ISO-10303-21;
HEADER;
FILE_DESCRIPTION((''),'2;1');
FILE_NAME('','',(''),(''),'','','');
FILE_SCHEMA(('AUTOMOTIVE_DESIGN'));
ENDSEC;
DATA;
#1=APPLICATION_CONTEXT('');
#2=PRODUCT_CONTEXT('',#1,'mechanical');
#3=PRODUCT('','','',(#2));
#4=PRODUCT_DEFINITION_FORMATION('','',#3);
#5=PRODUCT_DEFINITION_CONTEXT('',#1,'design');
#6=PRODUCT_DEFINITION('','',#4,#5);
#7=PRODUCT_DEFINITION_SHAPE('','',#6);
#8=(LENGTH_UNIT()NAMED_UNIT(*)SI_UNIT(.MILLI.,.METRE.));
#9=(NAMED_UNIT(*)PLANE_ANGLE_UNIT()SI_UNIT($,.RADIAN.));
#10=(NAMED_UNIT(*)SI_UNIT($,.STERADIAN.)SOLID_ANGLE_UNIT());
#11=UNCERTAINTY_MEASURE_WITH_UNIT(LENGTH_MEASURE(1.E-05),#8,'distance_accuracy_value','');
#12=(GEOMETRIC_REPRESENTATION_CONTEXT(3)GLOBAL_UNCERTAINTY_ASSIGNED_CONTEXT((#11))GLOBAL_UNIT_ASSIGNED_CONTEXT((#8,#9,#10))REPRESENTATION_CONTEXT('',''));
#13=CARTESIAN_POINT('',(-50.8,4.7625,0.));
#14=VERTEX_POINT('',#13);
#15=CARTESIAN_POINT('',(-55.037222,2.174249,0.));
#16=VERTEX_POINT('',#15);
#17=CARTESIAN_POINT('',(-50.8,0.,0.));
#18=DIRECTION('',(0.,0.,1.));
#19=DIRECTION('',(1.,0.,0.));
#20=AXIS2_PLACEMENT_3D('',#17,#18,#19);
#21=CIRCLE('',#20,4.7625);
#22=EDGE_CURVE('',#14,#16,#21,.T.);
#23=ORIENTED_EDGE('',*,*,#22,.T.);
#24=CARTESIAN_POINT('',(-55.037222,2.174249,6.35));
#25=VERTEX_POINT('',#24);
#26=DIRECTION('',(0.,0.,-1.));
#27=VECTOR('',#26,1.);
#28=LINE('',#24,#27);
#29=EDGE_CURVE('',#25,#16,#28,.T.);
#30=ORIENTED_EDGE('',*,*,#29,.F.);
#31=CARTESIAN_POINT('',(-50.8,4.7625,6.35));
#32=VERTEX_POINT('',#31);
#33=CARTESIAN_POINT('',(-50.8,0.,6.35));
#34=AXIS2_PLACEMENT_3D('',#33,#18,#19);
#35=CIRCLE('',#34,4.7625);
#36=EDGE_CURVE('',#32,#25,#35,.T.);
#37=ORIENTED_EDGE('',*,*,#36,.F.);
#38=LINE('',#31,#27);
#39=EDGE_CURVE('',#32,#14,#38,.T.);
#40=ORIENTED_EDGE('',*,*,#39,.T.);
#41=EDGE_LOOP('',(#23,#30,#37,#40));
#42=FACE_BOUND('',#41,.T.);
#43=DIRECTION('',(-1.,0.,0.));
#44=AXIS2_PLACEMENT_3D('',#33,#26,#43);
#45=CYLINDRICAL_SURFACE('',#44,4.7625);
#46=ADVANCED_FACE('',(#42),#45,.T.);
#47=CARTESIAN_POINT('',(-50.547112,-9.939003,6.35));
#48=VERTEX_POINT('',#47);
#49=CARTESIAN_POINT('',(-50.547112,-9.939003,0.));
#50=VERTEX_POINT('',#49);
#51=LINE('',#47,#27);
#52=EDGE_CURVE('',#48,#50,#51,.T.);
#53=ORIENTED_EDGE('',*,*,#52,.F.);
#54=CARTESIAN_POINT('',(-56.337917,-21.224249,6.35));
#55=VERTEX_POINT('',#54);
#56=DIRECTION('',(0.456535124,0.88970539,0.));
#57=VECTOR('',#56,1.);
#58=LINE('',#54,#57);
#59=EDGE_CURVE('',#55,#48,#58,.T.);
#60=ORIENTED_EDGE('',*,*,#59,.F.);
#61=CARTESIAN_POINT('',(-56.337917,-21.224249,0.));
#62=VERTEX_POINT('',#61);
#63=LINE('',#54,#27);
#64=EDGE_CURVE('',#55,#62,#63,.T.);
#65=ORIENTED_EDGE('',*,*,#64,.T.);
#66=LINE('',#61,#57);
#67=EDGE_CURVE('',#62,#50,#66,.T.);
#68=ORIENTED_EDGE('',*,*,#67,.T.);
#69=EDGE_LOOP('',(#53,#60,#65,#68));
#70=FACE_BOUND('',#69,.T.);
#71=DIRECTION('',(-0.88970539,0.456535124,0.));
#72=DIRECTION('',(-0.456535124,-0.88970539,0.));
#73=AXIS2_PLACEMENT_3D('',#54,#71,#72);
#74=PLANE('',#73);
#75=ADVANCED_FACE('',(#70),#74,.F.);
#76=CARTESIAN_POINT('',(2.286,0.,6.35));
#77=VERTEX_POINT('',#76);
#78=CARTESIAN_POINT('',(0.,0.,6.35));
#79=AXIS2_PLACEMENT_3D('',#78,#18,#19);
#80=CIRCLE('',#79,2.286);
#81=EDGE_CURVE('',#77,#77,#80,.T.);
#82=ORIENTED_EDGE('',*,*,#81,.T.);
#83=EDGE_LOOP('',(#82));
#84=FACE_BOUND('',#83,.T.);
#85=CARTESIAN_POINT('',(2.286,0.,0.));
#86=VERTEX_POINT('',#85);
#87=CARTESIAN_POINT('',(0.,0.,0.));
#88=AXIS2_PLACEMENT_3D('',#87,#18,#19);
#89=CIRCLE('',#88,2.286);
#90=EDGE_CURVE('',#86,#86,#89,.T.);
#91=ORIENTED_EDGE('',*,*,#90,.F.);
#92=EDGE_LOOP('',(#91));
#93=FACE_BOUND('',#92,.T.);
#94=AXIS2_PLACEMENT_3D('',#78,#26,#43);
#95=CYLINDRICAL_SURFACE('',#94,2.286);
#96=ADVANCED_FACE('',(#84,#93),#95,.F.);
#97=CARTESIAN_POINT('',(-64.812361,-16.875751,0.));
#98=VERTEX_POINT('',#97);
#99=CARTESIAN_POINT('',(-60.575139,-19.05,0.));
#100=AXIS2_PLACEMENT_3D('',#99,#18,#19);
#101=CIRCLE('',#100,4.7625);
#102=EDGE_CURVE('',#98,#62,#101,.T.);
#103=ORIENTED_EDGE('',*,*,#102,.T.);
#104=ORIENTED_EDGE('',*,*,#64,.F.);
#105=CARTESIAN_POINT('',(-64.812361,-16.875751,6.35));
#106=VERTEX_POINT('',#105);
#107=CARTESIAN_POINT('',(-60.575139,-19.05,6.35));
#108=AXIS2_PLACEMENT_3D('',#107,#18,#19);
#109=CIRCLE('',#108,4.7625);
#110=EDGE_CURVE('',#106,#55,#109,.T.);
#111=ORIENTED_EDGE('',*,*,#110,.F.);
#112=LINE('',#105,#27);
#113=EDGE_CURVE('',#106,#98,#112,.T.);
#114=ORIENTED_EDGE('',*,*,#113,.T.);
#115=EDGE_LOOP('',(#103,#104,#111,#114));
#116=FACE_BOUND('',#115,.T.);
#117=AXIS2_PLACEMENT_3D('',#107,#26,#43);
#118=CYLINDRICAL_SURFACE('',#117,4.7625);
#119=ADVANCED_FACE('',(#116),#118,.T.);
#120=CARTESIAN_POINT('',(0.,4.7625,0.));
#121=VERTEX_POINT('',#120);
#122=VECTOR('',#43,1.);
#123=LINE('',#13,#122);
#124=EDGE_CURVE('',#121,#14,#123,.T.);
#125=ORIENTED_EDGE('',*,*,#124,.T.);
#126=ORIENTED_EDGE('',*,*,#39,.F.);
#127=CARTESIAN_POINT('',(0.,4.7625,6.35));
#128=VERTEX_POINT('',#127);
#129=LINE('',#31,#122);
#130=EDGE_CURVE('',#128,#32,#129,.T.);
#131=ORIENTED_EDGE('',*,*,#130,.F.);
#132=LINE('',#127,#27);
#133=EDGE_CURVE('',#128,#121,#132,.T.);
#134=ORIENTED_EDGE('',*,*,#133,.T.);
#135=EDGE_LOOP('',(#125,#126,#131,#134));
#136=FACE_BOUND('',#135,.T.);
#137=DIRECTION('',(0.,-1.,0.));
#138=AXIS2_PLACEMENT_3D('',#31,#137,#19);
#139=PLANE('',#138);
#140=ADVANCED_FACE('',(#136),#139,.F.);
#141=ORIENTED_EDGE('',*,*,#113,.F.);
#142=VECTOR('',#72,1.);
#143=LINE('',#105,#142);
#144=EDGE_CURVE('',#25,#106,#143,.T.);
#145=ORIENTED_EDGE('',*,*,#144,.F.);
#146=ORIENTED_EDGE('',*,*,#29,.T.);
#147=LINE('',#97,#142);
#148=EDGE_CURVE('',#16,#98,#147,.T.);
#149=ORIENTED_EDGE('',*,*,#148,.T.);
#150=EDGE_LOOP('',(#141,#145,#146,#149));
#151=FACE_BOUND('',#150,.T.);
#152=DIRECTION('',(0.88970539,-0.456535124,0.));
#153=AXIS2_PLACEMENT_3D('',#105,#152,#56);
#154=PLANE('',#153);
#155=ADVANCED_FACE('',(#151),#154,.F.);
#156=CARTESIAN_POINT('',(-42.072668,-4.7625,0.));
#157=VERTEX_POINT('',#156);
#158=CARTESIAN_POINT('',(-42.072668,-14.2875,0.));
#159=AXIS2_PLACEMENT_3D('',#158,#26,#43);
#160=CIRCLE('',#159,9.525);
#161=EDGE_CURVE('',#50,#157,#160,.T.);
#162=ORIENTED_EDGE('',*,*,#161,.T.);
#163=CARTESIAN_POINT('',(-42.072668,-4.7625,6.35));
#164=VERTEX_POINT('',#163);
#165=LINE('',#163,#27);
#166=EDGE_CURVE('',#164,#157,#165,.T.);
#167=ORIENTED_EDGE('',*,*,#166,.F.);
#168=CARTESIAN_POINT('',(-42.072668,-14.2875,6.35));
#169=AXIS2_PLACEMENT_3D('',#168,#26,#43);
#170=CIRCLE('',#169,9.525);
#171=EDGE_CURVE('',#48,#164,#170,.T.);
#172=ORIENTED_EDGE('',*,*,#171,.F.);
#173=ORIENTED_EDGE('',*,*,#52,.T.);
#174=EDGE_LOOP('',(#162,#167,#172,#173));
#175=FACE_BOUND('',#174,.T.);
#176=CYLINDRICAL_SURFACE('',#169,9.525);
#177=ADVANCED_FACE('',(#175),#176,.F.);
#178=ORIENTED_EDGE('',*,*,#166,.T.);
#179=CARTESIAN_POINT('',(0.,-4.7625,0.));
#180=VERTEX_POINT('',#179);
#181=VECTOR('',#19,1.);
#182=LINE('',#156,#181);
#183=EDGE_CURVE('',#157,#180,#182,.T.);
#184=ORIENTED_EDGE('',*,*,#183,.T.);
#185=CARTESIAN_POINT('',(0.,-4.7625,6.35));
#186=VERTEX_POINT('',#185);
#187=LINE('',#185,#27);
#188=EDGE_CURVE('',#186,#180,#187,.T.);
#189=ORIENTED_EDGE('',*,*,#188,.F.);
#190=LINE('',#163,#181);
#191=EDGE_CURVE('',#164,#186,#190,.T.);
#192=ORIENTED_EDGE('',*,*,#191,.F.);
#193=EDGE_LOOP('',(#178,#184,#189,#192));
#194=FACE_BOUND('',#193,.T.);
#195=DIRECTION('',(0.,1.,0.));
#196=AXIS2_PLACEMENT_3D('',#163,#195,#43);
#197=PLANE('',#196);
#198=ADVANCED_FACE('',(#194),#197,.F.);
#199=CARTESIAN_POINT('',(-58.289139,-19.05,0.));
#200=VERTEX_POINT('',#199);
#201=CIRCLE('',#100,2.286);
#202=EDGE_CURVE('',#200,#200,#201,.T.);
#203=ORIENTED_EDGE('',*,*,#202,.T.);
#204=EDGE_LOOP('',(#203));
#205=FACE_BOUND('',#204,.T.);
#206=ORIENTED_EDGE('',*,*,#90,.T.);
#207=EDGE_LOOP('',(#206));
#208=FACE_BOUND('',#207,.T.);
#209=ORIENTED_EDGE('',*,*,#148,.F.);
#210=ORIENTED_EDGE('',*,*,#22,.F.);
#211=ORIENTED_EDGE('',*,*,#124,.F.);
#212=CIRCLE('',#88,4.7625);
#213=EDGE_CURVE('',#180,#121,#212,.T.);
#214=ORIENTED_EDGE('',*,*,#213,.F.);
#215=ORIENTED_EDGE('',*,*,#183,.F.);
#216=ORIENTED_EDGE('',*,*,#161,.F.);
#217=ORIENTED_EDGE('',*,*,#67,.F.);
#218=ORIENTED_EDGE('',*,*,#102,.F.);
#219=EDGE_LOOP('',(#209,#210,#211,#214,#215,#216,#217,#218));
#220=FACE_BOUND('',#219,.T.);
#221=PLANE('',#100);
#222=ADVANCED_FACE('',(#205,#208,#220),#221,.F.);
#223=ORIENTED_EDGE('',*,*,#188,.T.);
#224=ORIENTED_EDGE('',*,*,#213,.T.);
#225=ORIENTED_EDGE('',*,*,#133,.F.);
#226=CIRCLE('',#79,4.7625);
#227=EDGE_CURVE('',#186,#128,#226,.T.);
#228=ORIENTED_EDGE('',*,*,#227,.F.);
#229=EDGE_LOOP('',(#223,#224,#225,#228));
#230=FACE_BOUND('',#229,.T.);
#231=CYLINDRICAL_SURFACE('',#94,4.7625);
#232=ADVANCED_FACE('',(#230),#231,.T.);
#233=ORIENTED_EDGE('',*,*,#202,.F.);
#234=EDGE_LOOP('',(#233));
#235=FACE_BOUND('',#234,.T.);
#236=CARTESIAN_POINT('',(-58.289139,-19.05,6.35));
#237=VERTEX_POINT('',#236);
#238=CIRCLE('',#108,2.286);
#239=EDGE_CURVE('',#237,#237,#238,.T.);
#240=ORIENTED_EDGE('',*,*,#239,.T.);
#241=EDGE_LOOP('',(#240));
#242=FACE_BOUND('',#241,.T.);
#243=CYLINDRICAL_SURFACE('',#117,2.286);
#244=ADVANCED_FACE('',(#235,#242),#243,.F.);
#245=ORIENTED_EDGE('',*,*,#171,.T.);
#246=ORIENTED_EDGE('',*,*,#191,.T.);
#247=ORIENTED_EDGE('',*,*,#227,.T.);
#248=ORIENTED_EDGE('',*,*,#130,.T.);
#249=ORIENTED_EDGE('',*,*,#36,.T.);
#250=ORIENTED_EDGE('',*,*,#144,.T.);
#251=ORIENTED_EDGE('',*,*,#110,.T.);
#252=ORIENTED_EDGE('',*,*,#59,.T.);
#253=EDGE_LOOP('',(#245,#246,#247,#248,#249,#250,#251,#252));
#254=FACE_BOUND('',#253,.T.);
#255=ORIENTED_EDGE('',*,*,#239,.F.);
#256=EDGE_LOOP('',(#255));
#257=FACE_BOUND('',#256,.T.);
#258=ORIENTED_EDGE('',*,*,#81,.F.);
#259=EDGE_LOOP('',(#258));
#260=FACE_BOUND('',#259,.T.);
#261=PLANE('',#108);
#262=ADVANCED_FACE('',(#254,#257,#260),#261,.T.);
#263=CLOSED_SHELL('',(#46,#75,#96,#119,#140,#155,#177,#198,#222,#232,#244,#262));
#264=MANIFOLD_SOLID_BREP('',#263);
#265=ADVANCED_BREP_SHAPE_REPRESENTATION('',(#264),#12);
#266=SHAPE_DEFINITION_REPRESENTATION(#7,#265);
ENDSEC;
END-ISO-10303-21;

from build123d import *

# Parameters (mm, degrees)
SKETCH1_R           = 2.286
BOSS_EXTRUDE1_DEPTH = 6.35


with BuildPart() as part:
    # Sketch1 → Boss-Extrude1 (new body)
    with BuildSketch(Plane.XY):
        with BuildLine():
            Line((-64.812361209, -16.875751472), (-55.037221919, 2.174248528))
            ThreePointArc((-55.037221919, 2.174248528), (-53.282594171, 4.064250538), (-50.8, 4.7625))
            Line((-50.8, 4.7625), (0, 4.7625))
            ThreePointArc((0, 4.7625), (4.7625, 0), (0, -4.7625))
            Line((0, -4.7625), (-42.07266789, -4.7625))
            ThreePointArc((-42.07266789, -4.7625), (-47.037856232, -6.158998925), (-50.547111728, -9.939002944))
            Line((-50.547111728, -9.939002944), (-56.337917371, -21.224248528))
            ThreePointArc((-56.337917371, -21.224248528), (-62.749387818, -23.287221919), (-64.812361209, -16.875751472))
        make_face()
        Circle(SKETCH1_R, mode=Mode.SUBTRACT)
        with Locations((-60.57513929, -19.05)):
            Circle(SKETCH1_R, mode=Mode.SUBTRACT)
    extrude(amount=BOSS_EXTRUDE1_DEPTH)


solid = part.part
